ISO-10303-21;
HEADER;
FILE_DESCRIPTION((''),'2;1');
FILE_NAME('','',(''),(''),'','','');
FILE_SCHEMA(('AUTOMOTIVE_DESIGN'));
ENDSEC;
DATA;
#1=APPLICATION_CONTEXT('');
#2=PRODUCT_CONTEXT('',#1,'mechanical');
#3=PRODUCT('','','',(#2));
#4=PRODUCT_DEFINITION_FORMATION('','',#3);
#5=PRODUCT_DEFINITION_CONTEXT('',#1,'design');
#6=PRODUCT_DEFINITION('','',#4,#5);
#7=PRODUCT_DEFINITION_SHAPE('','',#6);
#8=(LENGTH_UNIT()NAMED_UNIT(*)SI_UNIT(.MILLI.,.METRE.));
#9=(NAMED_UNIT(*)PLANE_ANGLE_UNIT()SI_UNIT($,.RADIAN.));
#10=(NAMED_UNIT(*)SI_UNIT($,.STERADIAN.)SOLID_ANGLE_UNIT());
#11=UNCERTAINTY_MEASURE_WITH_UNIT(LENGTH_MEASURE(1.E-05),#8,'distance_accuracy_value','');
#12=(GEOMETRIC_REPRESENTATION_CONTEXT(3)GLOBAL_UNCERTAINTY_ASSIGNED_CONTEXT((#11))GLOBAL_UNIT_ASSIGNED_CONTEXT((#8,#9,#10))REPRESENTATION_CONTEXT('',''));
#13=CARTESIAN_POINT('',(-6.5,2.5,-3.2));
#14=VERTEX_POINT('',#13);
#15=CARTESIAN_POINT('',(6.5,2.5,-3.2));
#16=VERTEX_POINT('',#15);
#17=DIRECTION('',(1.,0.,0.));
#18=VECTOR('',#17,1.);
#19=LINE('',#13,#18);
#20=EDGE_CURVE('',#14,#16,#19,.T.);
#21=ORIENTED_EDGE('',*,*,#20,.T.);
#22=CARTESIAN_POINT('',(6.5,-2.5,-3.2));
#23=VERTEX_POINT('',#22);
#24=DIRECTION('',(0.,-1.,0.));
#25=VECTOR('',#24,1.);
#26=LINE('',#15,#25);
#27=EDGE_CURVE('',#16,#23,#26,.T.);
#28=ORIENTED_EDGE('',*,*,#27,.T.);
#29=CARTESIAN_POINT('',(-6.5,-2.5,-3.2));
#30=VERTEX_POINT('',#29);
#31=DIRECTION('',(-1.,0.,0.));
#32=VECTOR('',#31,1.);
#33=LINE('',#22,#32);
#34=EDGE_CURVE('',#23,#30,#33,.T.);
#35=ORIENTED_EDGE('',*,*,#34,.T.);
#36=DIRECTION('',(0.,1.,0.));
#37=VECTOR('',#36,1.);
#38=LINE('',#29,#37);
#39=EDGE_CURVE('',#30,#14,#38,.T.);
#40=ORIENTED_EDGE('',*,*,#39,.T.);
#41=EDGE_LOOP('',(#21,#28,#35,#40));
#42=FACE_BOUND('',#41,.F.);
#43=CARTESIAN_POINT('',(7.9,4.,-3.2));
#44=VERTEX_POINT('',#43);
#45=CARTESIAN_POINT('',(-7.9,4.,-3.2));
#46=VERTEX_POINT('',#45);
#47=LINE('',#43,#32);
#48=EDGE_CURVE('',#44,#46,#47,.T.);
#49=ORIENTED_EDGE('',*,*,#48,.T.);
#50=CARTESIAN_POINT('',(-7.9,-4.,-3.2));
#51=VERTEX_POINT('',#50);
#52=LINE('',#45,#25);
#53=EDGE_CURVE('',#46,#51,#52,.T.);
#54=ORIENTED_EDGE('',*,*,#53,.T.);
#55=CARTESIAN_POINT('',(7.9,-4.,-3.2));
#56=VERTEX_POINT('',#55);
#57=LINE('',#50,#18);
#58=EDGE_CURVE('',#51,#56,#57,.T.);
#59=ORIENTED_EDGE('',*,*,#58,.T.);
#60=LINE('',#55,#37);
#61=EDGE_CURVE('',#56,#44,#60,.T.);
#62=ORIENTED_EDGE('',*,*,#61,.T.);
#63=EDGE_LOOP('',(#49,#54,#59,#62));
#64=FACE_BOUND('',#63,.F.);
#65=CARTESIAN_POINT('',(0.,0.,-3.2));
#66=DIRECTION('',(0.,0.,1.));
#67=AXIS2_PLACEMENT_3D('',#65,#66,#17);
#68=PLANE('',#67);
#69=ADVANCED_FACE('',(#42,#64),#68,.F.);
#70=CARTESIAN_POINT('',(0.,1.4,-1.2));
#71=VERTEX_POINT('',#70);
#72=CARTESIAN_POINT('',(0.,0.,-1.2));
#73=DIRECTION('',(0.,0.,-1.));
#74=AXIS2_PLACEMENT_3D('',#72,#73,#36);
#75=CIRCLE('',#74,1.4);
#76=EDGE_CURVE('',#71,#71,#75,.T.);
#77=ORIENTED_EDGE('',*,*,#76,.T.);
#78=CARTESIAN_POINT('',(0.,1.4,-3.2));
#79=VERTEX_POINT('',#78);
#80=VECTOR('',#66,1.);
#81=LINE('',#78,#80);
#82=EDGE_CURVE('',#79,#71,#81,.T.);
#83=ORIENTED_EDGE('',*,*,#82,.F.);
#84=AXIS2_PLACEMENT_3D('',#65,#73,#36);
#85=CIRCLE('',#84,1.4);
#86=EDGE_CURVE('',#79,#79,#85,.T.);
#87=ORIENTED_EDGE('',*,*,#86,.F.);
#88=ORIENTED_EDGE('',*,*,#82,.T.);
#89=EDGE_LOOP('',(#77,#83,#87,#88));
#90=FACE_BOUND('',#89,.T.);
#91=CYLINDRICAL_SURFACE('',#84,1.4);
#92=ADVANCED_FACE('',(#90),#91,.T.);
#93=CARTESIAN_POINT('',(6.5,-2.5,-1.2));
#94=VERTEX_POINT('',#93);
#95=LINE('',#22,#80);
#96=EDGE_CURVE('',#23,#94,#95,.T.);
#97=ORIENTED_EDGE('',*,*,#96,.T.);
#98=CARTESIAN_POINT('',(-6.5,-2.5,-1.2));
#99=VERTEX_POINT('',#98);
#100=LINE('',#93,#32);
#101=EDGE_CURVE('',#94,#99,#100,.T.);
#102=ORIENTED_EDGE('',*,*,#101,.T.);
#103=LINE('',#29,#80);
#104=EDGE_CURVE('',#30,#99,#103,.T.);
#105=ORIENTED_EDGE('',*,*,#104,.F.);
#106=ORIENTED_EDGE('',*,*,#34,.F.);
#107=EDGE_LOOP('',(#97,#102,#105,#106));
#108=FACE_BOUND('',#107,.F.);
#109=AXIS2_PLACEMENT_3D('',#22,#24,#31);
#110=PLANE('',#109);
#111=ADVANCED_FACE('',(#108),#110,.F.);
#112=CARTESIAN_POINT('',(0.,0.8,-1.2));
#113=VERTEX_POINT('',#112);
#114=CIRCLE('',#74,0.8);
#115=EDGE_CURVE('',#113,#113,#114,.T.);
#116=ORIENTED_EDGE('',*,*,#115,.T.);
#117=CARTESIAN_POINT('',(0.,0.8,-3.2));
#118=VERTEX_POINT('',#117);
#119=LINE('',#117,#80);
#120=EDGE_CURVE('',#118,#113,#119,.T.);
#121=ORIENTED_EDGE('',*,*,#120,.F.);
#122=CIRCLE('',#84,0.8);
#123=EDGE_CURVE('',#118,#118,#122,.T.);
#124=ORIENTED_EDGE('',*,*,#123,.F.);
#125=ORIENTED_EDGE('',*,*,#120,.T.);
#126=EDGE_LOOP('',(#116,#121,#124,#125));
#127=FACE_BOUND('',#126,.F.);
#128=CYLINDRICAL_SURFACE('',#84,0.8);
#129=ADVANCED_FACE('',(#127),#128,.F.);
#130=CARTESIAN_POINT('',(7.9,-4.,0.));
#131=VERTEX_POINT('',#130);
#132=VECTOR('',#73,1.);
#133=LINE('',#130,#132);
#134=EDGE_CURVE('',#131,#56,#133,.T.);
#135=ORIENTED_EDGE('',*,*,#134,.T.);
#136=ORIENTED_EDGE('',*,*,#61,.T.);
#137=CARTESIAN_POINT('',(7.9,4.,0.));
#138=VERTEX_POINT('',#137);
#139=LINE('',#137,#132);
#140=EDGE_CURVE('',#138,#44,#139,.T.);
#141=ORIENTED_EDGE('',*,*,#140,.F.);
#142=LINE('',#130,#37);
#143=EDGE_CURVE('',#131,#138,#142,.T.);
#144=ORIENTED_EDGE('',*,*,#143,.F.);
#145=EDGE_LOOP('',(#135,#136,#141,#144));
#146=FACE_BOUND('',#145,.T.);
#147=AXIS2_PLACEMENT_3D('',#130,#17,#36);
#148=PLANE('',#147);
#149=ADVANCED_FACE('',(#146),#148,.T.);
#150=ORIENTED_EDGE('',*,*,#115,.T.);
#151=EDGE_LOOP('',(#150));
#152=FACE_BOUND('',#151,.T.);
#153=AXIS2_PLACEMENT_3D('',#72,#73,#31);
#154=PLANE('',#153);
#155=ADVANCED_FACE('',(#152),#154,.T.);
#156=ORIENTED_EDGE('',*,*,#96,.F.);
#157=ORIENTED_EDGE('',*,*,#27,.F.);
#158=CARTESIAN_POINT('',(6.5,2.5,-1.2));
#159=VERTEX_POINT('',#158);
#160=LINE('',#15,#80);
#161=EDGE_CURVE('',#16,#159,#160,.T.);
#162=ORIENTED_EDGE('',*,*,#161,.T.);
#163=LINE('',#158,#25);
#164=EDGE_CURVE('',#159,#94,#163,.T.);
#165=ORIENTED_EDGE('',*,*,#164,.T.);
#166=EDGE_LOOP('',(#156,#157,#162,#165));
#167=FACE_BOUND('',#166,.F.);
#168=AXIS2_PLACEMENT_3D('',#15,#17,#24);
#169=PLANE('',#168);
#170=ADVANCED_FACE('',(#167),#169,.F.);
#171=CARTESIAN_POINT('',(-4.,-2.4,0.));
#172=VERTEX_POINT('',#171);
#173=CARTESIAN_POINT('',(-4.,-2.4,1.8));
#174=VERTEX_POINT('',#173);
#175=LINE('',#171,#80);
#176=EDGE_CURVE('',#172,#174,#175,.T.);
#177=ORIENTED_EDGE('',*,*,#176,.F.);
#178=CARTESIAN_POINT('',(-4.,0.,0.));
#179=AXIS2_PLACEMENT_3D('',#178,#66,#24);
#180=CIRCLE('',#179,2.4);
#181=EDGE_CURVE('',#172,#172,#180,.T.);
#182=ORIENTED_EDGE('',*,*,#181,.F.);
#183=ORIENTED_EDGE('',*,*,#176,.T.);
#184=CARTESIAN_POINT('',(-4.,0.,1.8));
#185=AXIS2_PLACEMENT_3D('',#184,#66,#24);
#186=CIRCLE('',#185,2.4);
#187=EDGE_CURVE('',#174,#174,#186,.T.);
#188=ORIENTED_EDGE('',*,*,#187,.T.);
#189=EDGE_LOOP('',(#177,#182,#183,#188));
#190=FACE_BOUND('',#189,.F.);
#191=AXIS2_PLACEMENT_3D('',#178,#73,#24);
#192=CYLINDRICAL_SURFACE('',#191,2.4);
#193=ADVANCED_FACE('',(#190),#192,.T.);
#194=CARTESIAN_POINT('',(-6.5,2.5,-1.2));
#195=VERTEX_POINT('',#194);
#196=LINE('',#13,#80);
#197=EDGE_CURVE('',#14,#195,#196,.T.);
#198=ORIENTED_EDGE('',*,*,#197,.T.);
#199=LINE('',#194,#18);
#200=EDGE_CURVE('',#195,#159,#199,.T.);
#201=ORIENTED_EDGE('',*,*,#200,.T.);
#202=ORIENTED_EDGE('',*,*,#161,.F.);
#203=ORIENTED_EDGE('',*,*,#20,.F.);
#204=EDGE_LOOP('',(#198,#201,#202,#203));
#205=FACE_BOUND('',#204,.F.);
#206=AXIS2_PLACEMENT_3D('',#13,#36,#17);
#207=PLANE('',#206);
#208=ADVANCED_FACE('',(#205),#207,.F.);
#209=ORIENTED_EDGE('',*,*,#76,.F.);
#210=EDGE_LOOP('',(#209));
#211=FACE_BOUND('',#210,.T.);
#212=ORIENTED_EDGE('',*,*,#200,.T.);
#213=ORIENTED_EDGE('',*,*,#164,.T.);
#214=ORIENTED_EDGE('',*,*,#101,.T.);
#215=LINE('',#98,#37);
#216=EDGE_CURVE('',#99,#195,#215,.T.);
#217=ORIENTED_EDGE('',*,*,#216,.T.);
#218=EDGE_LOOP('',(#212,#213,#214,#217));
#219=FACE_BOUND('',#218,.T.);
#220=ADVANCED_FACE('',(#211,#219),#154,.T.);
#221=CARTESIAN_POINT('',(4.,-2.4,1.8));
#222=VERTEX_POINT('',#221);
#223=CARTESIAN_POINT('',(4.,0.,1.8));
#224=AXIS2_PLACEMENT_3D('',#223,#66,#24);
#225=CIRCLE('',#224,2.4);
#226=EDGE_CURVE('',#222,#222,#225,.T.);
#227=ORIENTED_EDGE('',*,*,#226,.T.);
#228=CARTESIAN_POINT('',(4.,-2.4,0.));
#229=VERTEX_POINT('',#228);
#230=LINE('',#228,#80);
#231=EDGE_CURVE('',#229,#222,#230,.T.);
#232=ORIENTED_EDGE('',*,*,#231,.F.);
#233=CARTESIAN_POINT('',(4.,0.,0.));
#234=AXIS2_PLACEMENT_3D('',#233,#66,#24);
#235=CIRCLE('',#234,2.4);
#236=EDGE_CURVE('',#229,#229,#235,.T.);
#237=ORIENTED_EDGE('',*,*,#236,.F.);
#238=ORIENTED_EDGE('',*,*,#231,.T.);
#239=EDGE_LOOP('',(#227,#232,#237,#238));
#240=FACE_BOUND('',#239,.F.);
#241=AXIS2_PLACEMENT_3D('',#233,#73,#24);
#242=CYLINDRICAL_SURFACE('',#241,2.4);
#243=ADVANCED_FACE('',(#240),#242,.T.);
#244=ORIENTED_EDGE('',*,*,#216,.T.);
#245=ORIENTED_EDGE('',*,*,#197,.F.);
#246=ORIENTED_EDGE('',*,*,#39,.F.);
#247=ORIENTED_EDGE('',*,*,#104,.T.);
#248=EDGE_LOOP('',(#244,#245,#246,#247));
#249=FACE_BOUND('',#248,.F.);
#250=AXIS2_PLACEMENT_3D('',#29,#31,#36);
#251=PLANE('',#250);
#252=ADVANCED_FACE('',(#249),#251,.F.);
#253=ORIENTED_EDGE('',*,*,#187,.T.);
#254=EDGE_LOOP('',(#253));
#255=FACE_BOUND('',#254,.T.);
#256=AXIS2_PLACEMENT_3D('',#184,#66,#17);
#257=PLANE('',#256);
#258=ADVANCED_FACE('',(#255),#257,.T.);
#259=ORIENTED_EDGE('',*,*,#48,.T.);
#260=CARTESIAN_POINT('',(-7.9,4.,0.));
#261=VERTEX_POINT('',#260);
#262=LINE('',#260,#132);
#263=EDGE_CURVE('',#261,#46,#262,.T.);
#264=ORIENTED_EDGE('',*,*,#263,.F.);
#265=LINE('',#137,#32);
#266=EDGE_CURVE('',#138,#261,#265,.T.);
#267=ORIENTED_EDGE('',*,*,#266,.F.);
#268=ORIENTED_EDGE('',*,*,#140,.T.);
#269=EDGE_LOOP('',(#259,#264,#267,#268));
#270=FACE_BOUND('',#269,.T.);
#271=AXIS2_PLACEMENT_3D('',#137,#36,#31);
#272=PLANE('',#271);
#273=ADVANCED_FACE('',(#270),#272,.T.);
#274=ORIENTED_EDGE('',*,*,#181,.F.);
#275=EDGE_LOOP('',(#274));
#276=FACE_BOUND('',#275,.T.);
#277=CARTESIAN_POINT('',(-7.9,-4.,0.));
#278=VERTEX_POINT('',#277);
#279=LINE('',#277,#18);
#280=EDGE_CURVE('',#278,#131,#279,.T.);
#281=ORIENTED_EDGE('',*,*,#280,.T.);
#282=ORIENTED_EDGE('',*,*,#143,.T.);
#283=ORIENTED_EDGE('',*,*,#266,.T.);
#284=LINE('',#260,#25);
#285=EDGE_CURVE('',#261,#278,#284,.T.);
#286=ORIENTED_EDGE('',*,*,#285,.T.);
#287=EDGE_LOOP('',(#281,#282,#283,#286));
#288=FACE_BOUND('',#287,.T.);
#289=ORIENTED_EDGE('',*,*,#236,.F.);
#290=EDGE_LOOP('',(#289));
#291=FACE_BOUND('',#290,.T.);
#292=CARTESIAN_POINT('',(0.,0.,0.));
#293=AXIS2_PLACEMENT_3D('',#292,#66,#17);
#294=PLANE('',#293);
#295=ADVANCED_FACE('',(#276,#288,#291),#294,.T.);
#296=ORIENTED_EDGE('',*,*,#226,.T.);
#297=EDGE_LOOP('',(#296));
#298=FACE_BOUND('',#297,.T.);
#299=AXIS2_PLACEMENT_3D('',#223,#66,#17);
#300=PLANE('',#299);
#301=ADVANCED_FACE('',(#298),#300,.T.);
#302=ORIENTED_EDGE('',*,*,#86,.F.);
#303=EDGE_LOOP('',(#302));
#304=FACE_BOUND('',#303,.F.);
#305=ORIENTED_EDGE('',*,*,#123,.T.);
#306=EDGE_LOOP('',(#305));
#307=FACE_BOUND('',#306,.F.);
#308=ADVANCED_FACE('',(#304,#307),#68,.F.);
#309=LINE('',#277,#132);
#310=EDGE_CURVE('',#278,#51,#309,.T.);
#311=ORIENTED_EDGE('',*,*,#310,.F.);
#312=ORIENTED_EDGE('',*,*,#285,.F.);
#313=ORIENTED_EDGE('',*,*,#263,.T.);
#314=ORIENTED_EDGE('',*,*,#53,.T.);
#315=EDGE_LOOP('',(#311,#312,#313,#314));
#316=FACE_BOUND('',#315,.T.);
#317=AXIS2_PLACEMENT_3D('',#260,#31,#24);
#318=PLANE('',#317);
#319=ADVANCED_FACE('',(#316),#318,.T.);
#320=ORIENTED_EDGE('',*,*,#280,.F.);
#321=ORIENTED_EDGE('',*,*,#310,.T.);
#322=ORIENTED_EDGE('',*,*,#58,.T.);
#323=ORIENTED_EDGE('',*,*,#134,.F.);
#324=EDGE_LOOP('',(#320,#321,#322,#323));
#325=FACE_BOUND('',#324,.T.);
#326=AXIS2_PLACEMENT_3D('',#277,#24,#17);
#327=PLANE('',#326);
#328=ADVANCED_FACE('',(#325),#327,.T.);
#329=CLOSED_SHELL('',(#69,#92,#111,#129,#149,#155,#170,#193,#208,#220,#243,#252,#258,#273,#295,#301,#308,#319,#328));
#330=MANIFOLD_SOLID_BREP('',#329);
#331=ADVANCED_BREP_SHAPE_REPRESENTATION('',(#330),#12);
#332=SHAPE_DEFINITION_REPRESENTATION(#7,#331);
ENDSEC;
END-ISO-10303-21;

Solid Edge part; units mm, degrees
sketch "Sketch1" plane through (0, 0, 0) normal (0, 0, 1) x (1, 0, 0)
  line L0 (7.9, 4) -> (-7.9, 4)
  line L1 (-7.9, 4) -> (-7.9, -4)
  line L2 (-7.9, -4) -> (7.9, -4)
  line L3 (7.9, -4) -> (7.9, 4)
  dimension "D1" = 15.8
  dimension "D2" = 8
extrude "Protrusion1" add sketch "Sketch1" against normal blind 3.2
sketch "Sketch2" plane through (0, 0, -3.2) normal (0, 0, -1) x (0, 1, 0)
  line L0 (2.5, -6.5) -> (2.5, 6.5)
  line L1 (2.5, 6.5) -> (-2.5, 6.5)
  line L2 (-2.5, 6.5) -> (-2.5, -6.5)
  line L3 (-2.5, -6.5) -> (2.5, -6.5)
  circle A0 centre (0, 0) radius 1.4
  circle A1 centre (0, 0) radius 0.8
  dimension "D1" = 13
  dimension "D2" = 5
  dimension "D3" = 2.8
  dimension "D4" = 1.6
extrude "ExtrudedCutout_1" cut sketch "Sketch2" against normal blind 2
sketch "Sketch3" plane through (0, 0, 0) normal (0, 0, 1) x (0, -1, 0)
  circle A0 centre (0, 4) radius 2.4
  circle A1 centre (0, -4) radius 2.4
  dimension "D1" = 4.8
  dimension "D2" = 4.8
extrude "ExtrudedProtrusion_2" add sketch "Sketch3" along normal blind 1.8
